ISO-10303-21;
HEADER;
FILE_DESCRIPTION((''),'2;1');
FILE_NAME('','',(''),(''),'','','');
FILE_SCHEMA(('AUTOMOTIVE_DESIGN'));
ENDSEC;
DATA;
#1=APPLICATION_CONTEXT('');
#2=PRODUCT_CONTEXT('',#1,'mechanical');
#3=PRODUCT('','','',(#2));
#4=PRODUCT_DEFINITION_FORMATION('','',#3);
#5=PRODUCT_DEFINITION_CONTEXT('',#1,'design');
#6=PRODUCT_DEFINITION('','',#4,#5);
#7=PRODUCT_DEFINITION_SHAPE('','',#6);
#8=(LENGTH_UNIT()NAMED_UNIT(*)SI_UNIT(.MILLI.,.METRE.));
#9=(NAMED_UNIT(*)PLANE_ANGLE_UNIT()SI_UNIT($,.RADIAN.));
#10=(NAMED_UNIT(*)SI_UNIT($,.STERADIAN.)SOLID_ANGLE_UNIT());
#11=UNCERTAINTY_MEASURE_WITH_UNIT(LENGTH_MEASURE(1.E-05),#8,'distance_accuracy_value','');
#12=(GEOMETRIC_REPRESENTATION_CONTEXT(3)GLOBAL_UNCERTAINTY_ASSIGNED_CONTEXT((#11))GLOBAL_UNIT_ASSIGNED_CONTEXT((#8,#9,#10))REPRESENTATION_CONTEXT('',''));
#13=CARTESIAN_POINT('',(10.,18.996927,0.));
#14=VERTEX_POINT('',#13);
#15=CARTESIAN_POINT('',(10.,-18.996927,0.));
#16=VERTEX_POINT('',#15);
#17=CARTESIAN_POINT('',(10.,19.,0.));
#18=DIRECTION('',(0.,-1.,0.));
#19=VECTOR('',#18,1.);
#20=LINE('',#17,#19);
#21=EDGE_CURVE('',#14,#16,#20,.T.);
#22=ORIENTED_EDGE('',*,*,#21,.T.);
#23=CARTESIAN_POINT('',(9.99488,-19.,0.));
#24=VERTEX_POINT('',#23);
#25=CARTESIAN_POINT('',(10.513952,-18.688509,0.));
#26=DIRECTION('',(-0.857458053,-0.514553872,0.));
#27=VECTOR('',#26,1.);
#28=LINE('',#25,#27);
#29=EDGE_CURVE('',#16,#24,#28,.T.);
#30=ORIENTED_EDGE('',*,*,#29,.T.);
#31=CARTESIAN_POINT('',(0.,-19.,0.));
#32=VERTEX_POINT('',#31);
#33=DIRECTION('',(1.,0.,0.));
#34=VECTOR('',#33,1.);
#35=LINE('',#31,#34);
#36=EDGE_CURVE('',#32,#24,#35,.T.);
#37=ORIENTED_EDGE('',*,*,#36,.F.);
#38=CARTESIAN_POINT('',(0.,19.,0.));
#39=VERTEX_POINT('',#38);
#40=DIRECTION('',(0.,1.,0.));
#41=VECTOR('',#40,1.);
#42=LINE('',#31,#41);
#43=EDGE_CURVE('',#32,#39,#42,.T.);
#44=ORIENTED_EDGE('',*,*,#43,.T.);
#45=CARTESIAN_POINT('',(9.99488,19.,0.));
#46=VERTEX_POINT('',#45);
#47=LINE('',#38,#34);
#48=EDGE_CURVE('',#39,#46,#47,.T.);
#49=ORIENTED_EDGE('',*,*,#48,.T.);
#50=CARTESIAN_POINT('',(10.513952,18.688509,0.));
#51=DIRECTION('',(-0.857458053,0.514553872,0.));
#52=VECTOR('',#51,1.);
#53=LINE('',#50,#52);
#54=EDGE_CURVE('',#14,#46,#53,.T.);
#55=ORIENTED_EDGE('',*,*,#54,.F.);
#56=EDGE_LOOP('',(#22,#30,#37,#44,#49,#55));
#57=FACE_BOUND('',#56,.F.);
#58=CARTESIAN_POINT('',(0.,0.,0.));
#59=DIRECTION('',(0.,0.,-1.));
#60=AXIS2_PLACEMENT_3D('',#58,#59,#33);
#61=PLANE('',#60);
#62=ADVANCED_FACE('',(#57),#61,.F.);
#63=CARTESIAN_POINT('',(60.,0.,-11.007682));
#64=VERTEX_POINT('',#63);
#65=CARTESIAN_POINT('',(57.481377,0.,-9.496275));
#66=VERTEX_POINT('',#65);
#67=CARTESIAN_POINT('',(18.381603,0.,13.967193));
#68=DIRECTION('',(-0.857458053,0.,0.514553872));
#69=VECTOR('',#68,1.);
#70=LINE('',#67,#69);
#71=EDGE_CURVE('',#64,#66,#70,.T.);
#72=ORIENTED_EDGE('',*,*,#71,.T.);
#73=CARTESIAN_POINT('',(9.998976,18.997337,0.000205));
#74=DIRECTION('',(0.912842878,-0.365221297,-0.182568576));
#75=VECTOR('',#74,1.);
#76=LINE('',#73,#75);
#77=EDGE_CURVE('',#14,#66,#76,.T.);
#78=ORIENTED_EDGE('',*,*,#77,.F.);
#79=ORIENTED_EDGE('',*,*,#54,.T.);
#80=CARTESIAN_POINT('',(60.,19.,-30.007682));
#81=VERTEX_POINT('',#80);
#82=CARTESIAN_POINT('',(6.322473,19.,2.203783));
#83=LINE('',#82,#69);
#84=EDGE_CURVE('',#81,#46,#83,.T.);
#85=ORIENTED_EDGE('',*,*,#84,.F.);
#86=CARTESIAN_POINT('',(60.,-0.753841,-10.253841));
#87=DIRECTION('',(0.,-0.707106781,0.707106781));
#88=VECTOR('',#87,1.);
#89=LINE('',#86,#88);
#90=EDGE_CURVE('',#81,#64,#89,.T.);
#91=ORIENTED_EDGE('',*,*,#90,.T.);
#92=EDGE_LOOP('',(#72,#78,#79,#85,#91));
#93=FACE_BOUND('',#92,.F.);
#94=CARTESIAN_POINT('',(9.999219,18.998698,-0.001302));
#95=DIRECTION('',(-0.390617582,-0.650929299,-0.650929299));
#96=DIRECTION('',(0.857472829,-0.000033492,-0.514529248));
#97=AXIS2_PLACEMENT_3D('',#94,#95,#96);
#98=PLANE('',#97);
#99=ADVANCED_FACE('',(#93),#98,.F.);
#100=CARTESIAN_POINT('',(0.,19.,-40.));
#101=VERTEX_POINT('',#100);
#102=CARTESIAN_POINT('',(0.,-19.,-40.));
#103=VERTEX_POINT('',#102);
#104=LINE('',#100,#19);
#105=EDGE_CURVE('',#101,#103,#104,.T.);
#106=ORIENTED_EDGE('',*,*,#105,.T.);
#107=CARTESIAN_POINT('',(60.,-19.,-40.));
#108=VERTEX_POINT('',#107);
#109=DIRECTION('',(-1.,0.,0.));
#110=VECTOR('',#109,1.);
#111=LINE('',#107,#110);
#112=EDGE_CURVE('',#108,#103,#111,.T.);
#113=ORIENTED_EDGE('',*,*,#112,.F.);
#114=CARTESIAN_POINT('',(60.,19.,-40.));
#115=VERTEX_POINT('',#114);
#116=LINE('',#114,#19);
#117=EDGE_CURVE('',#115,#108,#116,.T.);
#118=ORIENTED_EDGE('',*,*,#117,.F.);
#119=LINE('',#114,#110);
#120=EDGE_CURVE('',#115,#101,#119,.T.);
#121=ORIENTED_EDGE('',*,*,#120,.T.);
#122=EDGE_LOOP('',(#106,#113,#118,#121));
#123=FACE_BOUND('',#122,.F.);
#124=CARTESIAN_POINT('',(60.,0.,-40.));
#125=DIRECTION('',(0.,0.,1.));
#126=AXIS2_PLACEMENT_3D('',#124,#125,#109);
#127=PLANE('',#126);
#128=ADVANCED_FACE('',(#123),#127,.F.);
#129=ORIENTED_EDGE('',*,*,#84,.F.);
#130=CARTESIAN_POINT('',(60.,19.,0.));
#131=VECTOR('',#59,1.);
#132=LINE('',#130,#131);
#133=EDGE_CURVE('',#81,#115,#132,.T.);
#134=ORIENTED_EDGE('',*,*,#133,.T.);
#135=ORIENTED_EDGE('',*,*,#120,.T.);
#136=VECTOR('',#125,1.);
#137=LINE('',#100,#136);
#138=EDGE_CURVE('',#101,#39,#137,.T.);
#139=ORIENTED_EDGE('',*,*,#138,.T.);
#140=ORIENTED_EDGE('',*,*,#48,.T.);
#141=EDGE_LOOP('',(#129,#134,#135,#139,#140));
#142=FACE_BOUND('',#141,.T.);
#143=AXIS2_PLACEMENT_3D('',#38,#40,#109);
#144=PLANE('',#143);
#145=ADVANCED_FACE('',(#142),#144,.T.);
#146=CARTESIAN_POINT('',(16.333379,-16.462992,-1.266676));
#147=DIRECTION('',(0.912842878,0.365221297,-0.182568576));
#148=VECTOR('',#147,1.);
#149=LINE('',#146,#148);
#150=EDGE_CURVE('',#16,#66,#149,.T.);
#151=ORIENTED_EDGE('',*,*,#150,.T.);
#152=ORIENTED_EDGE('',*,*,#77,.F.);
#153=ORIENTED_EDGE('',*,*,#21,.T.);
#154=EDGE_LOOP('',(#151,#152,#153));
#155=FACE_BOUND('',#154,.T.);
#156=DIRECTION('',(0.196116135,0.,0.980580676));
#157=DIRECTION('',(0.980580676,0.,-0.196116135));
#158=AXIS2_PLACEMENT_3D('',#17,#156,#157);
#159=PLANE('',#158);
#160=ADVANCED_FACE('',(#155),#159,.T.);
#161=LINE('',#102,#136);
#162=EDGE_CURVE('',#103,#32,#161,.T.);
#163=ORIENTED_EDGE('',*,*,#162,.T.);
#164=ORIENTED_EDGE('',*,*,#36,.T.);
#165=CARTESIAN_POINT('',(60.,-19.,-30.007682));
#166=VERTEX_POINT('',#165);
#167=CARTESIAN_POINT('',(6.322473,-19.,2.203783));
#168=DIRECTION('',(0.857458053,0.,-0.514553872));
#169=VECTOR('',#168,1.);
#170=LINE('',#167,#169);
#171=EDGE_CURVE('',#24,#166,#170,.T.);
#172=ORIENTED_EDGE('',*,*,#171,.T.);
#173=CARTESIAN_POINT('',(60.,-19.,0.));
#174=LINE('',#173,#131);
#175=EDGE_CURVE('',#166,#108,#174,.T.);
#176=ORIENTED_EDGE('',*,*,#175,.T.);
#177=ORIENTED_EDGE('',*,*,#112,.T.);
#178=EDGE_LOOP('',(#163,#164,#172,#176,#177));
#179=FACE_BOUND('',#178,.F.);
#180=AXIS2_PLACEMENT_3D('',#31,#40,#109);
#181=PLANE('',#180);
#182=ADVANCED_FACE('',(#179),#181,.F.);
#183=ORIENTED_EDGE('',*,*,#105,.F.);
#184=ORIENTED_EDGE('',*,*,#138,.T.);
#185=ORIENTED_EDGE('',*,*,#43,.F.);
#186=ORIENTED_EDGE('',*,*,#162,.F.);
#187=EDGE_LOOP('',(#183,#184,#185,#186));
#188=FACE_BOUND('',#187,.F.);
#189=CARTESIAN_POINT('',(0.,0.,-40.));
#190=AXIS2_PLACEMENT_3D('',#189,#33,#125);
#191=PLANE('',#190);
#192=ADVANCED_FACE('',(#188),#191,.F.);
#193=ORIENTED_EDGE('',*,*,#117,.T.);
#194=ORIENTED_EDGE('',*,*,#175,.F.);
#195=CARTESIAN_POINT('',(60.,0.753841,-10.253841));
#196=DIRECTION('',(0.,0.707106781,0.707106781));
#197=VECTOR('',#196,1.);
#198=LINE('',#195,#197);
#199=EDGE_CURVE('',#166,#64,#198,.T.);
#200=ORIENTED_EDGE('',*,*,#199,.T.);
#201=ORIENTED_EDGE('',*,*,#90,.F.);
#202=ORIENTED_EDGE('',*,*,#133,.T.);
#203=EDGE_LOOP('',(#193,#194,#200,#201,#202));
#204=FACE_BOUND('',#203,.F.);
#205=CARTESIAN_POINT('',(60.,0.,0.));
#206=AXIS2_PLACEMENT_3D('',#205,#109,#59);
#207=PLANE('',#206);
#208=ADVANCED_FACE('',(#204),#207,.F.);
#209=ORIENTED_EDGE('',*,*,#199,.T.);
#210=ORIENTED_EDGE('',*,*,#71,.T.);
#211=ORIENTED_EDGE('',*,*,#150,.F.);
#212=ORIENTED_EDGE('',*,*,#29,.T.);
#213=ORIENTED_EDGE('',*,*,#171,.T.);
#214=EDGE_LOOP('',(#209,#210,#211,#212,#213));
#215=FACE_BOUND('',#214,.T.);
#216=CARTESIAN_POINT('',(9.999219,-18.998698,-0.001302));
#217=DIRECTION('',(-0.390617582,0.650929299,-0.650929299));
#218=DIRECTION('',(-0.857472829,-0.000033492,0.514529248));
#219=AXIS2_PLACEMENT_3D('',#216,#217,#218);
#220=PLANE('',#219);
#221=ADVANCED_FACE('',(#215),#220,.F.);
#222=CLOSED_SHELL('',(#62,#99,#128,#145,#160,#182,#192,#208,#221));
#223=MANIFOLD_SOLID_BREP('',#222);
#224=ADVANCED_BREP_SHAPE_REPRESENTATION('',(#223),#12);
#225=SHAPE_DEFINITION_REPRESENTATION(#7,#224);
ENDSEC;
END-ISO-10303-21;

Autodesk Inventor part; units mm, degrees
ref_plane "YZ Plane" through (0, 0, 0) normal (1, 0, 0) x (0, 1, 0)
ref_plane "XZ Plane" through (0, 0, 0) normal (0, 1, 0) x (-1, 0, 0)
sketch "草圖1" plane through (0, 0, 0) normal (0, 1, 0) x (-1, 0, 0)
  line L0 (0, 0) -> (-60, 0)
  line L1 (-60, 0) -> (-60, -40)
  line L2 (-60, -40) -> (0, -40)
  line L3 (0, -40) -> (0, 0)
  dimension "d0" = 60
  dimension "d1" = 40
extrude "擠出1" add sketch "草圖1" along normal mid plane 38
sketch "草圖2" plane through (0, 19, 0) normal (0, 1, 0) x (1, 0, 0)
  line L0 (0, 0) -> (60, 0) projected
  line L1 (10, 0) -> (60, 10)
  line L2 (60, 0) -> (60, 40) projected
  dimension "d4" = 10
  dimension "d5" = 30
extrude "擠出2" cut sketch "草圖2" against normal blind 40
sketch "草圖3" plane through (60, -19, -40) normal (1, 0, 0) x (0, 0, -1)
  line L0 (-30, 18) -> (-10, 38)
  line L1 (0, 38) -> (-40, 38) projected
  line L2 (-30, 38) -> (-30, 0) projected
  point P0 (-40, 19)
  dimension "d8" = 20
  dimension "d9" = 20
ref_plane "工作平面1" through (10, 19, 0) normal (-0.3906, -0.6509, -0.6509) x (0.8575, 0, -0.5145)
sketch "草圖4" plane through (10, 19, 0) normal (-0.3906, -0.6509, -0.6509) x (0.8575, 0, -0.5145)
  line L0 (-15.1543, -12.3218) -> (93.717, -12.3218)
  line L1 (93.717, -12.3218) -> (93.717, 28.8166)
  line L2 (93.717, 28.8166) -> (-15.1543, 28.8166)
  line L3 (-15.1543, 28.8166) -> (-15.1543, -12.3218)
  point P0 (-8.5749, 11.0743)
extrude "擠出3" cut sketch "草圖4" against normal blind 40
mirror "鏡射1" about plane through (0, 0, 0) normal (0, 1, 0) of "擠出3"
properties part number "33"
